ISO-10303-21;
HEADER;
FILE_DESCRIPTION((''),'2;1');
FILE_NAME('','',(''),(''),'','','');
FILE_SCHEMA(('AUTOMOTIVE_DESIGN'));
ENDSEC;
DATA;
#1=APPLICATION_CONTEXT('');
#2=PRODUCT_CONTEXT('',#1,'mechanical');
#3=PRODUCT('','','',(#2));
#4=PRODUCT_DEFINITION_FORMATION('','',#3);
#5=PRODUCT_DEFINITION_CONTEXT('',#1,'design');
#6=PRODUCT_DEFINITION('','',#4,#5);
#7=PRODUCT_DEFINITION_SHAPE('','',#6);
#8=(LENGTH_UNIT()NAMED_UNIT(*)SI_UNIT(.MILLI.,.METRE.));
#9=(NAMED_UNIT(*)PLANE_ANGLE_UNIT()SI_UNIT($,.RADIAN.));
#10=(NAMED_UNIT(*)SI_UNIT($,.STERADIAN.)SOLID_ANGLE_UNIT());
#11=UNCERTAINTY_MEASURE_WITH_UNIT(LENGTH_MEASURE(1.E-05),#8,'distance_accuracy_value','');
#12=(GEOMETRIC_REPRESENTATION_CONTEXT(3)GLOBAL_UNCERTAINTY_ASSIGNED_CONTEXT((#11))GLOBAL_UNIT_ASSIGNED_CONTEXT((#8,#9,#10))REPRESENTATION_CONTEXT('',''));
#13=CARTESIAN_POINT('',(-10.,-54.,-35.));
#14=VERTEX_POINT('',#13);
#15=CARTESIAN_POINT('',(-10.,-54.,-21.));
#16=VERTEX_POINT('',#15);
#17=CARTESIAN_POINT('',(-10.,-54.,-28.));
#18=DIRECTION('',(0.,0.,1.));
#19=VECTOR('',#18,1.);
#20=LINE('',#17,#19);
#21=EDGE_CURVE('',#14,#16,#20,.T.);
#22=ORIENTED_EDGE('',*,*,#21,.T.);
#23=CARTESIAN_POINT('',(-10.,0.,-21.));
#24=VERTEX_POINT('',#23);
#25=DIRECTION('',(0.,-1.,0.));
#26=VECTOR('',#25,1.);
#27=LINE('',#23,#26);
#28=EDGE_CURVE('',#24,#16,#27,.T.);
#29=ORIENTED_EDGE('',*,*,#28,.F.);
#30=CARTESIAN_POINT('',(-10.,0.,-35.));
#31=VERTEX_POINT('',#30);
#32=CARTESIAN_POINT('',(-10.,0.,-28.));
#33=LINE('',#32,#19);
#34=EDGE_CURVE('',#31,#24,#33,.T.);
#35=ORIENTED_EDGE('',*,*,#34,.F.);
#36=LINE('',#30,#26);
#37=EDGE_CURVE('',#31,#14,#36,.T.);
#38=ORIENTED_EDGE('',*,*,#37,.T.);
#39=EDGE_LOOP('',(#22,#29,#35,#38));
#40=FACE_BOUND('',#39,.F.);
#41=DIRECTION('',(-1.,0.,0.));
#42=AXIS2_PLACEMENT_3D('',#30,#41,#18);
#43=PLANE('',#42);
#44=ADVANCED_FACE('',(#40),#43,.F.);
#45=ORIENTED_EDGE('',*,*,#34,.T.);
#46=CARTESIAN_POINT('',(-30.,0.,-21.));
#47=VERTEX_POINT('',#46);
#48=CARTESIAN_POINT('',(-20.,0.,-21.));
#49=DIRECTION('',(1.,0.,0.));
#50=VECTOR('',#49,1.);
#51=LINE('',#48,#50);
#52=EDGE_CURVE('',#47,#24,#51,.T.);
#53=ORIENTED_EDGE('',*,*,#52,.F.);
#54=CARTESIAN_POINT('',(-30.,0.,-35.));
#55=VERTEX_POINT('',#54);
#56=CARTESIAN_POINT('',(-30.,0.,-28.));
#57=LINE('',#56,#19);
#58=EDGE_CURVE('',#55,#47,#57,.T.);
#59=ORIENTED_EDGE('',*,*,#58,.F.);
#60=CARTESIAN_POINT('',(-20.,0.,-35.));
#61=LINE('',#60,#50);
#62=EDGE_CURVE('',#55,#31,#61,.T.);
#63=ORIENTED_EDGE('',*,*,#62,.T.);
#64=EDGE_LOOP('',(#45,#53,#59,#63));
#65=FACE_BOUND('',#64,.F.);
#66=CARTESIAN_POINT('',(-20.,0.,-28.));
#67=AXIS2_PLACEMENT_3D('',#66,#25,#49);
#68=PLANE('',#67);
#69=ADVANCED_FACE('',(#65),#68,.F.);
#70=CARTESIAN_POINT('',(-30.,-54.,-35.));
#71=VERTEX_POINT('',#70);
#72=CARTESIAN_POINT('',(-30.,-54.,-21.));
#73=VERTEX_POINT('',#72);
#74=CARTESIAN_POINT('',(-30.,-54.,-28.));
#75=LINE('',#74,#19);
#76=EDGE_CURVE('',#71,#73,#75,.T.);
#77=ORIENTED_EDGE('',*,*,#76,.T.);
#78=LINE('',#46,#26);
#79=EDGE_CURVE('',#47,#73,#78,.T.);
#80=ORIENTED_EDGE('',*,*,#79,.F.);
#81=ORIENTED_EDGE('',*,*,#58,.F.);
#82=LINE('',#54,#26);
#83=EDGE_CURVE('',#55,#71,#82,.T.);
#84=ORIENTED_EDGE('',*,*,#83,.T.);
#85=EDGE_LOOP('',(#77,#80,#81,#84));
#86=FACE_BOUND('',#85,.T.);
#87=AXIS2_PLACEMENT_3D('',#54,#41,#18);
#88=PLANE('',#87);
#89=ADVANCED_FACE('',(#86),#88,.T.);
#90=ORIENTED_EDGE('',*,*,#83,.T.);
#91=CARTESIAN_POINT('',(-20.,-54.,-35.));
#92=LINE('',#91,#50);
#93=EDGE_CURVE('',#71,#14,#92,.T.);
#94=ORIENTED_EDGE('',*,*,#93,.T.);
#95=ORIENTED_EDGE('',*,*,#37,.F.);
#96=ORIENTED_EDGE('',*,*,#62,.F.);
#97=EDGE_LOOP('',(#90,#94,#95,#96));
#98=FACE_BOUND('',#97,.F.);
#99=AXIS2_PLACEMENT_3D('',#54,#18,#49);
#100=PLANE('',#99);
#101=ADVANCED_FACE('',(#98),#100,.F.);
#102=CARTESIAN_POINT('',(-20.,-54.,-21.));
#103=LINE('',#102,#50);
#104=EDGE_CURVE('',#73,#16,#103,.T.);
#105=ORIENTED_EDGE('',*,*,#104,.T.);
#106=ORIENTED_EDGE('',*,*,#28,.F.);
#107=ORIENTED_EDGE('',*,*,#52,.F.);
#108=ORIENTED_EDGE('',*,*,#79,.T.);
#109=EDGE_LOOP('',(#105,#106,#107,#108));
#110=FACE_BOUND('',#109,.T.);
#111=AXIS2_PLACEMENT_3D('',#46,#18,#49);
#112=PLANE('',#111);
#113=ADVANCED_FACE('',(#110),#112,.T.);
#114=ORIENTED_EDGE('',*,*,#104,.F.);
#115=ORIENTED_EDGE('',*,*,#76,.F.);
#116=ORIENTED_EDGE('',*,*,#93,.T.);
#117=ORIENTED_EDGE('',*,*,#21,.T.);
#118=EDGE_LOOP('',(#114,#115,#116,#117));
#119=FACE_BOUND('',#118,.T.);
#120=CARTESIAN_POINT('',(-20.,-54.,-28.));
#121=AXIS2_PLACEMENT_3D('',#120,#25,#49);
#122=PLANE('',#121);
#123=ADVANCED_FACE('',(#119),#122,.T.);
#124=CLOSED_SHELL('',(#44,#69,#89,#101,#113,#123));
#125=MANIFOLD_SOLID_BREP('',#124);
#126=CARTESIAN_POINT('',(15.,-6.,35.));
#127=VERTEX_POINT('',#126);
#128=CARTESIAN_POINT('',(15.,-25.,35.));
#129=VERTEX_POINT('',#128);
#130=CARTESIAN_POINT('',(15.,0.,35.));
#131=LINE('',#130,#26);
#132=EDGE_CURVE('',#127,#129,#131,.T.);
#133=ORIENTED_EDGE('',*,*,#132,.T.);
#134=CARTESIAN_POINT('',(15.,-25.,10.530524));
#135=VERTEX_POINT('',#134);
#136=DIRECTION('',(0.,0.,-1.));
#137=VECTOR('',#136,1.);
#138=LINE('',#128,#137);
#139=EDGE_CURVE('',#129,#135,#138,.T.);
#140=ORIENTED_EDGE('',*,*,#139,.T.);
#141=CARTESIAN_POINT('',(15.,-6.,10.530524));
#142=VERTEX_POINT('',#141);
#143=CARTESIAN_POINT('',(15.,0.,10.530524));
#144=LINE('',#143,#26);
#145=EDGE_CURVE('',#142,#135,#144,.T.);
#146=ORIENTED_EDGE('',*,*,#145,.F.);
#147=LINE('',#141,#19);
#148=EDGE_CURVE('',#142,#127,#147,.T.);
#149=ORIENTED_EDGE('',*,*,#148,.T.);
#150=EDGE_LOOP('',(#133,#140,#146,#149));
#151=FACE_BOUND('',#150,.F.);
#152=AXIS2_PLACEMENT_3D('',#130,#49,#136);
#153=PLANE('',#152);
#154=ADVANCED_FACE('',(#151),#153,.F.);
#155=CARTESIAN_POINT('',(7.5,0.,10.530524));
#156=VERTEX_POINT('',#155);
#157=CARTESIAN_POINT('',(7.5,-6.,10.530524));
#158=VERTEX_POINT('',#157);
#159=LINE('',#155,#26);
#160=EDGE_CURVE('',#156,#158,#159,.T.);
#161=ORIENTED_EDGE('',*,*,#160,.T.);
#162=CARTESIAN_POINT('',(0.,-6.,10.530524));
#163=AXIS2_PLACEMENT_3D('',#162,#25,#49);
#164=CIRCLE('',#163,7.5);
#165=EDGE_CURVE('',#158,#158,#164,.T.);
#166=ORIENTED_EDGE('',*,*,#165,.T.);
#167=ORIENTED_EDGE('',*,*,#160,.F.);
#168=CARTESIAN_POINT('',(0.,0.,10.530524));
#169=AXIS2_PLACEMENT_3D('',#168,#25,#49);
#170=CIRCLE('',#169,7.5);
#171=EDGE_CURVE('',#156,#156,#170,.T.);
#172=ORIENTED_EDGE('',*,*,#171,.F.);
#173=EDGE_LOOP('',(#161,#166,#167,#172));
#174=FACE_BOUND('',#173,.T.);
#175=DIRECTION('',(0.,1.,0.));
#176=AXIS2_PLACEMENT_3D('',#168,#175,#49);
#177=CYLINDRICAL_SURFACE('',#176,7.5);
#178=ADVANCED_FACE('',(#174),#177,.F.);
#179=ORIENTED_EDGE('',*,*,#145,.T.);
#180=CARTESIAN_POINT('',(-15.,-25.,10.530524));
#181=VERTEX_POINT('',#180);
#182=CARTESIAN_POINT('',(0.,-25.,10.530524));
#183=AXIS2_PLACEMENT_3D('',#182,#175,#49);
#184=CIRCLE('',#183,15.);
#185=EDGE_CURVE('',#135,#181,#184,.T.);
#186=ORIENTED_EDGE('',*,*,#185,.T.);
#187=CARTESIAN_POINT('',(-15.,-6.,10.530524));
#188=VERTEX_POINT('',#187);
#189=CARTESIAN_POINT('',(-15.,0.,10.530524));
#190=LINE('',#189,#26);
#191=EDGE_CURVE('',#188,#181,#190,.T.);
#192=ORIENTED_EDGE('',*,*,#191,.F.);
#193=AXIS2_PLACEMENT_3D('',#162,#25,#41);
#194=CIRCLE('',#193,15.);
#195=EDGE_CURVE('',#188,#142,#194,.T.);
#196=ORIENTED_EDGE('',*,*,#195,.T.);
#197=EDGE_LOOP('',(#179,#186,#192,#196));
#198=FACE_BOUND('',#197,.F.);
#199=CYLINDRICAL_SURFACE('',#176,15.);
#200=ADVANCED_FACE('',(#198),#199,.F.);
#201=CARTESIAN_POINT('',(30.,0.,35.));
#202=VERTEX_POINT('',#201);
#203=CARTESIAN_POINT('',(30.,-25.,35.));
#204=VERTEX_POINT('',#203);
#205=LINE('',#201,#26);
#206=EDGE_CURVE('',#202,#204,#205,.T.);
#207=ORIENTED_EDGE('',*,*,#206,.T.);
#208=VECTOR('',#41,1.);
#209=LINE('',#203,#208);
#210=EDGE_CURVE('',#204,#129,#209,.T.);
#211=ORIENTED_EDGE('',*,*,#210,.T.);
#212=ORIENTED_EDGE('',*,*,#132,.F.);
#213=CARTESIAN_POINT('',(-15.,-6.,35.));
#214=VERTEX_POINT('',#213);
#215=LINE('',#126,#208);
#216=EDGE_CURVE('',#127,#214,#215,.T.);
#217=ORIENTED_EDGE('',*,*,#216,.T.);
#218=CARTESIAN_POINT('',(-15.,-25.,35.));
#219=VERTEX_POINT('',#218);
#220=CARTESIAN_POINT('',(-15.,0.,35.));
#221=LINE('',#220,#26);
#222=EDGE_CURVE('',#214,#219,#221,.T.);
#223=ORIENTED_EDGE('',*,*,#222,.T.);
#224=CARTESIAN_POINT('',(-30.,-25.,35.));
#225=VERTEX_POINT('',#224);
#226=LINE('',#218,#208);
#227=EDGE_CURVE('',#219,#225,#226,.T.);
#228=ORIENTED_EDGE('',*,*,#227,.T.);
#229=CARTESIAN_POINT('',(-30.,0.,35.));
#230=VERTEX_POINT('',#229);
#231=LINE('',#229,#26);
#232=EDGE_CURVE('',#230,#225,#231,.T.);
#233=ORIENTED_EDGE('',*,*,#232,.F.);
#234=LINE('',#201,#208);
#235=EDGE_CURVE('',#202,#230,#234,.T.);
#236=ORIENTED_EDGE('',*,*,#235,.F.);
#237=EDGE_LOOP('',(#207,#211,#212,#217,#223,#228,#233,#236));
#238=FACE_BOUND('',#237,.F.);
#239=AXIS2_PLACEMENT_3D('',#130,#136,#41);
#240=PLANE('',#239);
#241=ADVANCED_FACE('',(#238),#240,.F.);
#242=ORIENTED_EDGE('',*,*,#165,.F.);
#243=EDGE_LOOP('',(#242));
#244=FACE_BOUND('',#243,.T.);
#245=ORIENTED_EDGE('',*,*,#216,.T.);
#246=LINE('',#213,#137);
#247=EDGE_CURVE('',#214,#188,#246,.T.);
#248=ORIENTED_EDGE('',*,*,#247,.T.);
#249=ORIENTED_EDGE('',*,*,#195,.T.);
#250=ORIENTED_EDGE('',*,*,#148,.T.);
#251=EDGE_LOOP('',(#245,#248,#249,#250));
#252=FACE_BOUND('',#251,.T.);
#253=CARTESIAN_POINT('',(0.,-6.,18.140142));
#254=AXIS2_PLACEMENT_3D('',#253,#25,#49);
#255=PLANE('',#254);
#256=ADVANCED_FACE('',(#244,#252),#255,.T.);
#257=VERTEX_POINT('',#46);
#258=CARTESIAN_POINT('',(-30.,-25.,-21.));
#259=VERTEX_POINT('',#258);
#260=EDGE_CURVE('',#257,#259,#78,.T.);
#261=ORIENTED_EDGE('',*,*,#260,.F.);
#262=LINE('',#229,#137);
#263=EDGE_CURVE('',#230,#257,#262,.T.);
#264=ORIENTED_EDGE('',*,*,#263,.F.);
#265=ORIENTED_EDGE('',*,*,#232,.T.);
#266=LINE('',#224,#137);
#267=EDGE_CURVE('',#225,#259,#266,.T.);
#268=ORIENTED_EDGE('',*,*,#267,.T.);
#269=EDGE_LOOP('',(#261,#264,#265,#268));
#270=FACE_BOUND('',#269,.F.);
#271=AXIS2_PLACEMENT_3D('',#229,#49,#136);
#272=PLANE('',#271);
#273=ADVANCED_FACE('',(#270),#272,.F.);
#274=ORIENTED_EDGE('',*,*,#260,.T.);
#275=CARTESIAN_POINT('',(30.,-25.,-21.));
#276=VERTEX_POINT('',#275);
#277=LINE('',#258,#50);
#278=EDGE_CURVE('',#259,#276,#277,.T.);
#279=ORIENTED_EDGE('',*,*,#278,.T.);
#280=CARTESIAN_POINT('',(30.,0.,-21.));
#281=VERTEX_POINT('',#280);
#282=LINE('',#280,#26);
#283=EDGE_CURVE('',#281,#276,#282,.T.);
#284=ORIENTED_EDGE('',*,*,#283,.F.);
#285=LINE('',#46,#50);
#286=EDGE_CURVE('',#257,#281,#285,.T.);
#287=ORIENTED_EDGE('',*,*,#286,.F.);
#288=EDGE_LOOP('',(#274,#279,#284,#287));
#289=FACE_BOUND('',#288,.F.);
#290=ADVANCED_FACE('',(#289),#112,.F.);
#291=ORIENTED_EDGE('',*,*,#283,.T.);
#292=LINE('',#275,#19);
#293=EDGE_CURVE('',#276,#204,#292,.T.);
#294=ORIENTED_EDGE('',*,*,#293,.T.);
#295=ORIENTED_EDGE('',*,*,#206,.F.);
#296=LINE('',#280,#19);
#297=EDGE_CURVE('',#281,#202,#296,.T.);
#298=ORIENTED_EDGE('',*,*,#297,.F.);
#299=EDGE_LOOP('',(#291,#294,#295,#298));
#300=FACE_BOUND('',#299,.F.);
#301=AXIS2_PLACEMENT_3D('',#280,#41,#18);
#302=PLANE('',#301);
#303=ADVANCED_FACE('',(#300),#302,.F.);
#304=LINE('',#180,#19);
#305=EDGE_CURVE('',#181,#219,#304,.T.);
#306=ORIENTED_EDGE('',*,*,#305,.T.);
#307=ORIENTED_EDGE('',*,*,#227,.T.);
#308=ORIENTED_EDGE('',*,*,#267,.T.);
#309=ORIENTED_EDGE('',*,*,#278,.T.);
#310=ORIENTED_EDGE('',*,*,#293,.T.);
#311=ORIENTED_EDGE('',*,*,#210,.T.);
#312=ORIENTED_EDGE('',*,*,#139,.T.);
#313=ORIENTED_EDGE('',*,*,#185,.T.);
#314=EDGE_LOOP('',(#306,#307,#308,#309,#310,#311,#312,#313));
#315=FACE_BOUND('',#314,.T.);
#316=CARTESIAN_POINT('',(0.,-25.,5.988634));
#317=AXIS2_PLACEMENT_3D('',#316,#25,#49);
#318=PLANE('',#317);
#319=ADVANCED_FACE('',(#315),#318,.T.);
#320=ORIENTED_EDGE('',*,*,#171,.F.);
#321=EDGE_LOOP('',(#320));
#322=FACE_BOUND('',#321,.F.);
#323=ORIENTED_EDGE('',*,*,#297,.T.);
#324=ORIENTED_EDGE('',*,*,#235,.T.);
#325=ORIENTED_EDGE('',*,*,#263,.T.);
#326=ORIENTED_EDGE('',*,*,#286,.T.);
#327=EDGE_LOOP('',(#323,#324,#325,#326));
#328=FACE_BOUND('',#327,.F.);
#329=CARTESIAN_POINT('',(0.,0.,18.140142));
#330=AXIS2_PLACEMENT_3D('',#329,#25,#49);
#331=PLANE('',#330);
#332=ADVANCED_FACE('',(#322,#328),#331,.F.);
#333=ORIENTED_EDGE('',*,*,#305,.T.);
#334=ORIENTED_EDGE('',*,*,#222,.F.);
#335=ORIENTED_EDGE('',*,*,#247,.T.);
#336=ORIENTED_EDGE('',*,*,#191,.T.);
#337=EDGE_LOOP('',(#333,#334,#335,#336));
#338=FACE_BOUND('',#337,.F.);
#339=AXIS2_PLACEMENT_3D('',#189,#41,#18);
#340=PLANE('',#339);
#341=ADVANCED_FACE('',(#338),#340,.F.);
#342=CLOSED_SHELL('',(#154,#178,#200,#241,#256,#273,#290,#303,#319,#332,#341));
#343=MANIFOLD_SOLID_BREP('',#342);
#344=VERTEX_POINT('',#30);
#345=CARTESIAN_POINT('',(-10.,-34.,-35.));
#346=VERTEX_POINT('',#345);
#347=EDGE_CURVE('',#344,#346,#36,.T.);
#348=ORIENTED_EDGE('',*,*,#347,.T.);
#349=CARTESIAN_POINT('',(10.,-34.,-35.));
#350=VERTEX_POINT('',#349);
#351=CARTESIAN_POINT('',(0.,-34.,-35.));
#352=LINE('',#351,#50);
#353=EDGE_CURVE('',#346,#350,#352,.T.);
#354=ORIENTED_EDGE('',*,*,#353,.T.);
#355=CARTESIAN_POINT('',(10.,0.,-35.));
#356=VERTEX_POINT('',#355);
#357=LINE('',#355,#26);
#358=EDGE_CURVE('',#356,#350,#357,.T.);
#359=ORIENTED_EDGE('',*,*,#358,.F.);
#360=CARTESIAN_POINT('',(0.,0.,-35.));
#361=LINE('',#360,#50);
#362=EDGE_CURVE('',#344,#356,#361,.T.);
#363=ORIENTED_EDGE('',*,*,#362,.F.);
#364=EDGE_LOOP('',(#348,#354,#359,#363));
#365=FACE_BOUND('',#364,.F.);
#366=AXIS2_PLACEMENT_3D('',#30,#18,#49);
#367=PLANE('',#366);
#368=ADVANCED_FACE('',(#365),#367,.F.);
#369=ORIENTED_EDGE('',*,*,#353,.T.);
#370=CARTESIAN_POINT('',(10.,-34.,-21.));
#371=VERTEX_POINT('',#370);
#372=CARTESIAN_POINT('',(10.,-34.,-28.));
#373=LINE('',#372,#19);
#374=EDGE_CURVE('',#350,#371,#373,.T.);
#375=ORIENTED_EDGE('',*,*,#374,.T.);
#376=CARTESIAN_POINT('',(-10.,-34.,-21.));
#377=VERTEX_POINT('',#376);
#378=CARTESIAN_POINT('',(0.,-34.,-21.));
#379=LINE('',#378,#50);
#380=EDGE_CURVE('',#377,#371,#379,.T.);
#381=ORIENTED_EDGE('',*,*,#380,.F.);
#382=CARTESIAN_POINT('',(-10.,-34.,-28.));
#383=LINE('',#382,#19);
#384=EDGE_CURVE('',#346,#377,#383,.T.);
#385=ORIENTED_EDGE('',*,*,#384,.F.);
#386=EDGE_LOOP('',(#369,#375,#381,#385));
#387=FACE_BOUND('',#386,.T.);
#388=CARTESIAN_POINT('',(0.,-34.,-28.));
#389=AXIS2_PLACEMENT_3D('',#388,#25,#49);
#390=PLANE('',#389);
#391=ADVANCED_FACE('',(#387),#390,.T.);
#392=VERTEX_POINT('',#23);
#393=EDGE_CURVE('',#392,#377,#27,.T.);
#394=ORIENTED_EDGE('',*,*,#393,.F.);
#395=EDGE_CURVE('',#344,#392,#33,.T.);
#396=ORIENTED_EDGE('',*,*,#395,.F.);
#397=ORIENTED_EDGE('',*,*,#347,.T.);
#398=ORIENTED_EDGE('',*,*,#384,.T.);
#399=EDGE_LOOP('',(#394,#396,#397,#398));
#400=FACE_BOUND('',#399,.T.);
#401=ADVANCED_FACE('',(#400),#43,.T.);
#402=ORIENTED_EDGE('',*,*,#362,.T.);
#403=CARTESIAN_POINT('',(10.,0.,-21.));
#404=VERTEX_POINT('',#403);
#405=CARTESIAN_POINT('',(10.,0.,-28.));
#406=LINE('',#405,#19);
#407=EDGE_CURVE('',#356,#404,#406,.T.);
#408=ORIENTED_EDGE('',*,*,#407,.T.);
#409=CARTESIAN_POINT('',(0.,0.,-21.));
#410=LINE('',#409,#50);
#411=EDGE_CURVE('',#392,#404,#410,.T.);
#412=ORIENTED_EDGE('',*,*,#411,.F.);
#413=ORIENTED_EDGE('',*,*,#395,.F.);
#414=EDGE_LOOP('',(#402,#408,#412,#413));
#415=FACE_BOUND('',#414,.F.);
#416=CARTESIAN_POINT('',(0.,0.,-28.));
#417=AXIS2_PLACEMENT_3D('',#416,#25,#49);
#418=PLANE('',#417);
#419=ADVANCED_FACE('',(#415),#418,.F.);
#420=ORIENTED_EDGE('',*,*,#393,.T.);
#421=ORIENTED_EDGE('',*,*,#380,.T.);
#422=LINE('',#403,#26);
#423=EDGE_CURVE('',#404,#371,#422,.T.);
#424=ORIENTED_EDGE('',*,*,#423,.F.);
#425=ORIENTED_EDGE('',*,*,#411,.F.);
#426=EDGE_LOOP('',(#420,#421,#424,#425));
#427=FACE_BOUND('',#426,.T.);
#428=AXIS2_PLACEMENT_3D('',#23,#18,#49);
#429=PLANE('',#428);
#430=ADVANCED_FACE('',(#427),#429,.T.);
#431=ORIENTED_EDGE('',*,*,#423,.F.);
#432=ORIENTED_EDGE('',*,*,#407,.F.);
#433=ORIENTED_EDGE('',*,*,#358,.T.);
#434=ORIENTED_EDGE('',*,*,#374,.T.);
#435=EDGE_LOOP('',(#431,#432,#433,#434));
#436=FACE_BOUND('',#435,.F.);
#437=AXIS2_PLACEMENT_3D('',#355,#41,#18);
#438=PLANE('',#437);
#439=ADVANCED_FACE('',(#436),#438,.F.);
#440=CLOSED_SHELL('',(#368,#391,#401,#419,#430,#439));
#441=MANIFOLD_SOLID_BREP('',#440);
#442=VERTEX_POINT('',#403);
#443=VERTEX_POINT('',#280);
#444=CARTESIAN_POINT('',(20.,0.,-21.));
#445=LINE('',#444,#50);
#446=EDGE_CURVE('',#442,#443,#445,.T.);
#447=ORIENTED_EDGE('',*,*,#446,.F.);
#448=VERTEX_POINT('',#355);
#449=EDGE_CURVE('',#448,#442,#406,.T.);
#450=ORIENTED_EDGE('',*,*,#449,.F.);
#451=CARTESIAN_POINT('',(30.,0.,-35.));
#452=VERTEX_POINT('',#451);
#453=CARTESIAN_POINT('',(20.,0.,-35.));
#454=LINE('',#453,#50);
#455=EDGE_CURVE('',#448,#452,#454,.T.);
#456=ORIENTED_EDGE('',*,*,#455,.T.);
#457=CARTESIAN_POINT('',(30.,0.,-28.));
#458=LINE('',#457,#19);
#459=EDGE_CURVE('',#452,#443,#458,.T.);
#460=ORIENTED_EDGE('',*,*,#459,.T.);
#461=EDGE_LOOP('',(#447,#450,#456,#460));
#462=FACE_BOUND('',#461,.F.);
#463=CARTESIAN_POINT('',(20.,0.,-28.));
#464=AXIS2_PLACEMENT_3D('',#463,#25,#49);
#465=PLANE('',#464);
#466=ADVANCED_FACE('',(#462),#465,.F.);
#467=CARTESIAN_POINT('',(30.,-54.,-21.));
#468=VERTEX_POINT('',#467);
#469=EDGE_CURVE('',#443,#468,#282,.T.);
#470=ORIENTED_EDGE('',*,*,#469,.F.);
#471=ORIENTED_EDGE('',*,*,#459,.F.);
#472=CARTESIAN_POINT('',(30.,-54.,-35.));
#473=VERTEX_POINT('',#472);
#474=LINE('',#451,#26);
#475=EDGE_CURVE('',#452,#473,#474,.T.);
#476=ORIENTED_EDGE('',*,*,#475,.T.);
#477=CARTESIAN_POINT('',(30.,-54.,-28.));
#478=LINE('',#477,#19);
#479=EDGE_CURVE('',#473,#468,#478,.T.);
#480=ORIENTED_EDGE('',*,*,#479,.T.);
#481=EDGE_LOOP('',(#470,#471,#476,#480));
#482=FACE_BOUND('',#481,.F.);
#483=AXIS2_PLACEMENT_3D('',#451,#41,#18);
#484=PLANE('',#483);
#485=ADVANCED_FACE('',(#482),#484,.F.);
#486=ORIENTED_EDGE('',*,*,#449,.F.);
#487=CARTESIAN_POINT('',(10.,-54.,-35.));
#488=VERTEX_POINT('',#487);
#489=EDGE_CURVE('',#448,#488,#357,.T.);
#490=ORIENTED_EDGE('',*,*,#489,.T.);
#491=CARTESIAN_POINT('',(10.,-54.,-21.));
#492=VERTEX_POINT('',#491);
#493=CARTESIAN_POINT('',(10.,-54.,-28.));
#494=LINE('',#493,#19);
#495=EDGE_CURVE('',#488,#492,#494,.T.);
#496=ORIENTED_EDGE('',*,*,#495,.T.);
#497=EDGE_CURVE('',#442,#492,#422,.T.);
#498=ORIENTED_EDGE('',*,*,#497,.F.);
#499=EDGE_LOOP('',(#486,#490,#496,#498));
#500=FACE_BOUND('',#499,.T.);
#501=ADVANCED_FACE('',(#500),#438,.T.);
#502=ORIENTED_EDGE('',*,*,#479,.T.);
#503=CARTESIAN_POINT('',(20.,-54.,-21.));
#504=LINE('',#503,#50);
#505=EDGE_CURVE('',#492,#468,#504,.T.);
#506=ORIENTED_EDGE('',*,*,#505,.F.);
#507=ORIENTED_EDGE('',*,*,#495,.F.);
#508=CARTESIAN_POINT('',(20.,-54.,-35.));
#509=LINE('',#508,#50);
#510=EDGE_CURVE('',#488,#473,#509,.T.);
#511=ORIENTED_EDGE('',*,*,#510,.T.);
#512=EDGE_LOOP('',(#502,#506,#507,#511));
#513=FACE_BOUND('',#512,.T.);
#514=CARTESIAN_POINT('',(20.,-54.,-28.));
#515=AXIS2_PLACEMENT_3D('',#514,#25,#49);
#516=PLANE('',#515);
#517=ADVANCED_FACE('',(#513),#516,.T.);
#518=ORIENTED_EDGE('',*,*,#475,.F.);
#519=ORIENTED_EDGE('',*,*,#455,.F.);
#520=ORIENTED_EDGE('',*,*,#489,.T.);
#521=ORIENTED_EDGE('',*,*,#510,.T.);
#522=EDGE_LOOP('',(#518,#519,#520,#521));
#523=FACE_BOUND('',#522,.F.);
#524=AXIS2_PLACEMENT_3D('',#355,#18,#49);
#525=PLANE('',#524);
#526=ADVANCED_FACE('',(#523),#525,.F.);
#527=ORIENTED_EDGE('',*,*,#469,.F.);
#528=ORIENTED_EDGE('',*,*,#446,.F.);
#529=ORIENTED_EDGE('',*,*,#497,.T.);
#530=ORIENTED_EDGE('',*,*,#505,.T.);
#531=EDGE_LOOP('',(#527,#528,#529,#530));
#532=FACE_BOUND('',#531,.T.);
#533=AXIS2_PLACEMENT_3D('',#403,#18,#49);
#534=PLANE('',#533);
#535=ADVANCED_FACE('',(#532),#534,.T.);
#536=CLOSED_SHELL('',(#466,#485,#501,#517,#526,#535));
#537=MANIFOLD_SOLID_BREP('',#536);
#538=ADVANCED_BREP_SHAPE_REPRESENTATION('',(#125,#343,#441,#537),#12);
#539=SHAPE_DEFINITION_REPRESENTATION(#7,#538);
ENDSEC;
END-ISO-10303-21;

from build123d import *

# Parameters (mm, degrees)
F0_W     = 20
F0_H     = 14
F1_DEPTH = 54
F2_DEPTH = 34
F3_DEPTH = 25
F0_R     = 7.5
F4_DEPTH = 6


with BuildPart() as f1:
    # F0 (on Front) → F1 (new body)
    with BuildSketch(Plane.XZ):
        with Locations((20, -28)):
            Rectangle(F0_W, F0_H)
        with Locations((-20, -28)):
            Rectangle(F0_W, F0_H)
    extrude(amount=F1_DEPTH)


with BuildPart() as f2:
    # F0 (on Front) → F2 (new body)
    with BuildSketch(Plane.XZ):
        with Locations((0, -28)):
            Rectangle(F0_W, F0_H)
    extrude(amount=F2_DEPTH)


with BuildPart() as f3:
    # F0 (on Front) → F3 (new body)
    with BuildSketch(Plane.XZ):
        with BuildLine():
            Line((-30, 35), (-30, -21))
            Line((-30, -21), (-10, -21))
            Line((-10, -21), (10, -21))
            Line((10, -21), (30, -21))
            Line((30, -21), (30, 35))
            Line((30, 35), (15, 35))
            Line((15, 35), (15, 10.530524))
            ThreePointArc((15, 10.530524), (0, -4.469476), (-15, 10.530524))
            Line((-15, 10.530524), (-15, 35))
            Line((-15, 35), (-30, 35))
        make_face()
    extrude(amount=F3_DEPTH)

    # F0 (on Front) → F4 (join)
    with BuildSketch(Plane.XZ):
        with BuildLine():
            Line((15, 35), (-15, 35))
            Line((-15, 35), (-15, 10.530524))
            ThreePointArc((-15, 10.530524), (0, -4.469476), (15, 10.530524))
            Line((15, 10.530524), (15, 35))
        make_face()
        with Locations((0, 10.530524)):
            Circle(F0_R, mode=Mode.SUBTRACT)
    extrude(amount=F4_DEPTH)


solid = Compound([f1.part, f2.part, f3.part])
